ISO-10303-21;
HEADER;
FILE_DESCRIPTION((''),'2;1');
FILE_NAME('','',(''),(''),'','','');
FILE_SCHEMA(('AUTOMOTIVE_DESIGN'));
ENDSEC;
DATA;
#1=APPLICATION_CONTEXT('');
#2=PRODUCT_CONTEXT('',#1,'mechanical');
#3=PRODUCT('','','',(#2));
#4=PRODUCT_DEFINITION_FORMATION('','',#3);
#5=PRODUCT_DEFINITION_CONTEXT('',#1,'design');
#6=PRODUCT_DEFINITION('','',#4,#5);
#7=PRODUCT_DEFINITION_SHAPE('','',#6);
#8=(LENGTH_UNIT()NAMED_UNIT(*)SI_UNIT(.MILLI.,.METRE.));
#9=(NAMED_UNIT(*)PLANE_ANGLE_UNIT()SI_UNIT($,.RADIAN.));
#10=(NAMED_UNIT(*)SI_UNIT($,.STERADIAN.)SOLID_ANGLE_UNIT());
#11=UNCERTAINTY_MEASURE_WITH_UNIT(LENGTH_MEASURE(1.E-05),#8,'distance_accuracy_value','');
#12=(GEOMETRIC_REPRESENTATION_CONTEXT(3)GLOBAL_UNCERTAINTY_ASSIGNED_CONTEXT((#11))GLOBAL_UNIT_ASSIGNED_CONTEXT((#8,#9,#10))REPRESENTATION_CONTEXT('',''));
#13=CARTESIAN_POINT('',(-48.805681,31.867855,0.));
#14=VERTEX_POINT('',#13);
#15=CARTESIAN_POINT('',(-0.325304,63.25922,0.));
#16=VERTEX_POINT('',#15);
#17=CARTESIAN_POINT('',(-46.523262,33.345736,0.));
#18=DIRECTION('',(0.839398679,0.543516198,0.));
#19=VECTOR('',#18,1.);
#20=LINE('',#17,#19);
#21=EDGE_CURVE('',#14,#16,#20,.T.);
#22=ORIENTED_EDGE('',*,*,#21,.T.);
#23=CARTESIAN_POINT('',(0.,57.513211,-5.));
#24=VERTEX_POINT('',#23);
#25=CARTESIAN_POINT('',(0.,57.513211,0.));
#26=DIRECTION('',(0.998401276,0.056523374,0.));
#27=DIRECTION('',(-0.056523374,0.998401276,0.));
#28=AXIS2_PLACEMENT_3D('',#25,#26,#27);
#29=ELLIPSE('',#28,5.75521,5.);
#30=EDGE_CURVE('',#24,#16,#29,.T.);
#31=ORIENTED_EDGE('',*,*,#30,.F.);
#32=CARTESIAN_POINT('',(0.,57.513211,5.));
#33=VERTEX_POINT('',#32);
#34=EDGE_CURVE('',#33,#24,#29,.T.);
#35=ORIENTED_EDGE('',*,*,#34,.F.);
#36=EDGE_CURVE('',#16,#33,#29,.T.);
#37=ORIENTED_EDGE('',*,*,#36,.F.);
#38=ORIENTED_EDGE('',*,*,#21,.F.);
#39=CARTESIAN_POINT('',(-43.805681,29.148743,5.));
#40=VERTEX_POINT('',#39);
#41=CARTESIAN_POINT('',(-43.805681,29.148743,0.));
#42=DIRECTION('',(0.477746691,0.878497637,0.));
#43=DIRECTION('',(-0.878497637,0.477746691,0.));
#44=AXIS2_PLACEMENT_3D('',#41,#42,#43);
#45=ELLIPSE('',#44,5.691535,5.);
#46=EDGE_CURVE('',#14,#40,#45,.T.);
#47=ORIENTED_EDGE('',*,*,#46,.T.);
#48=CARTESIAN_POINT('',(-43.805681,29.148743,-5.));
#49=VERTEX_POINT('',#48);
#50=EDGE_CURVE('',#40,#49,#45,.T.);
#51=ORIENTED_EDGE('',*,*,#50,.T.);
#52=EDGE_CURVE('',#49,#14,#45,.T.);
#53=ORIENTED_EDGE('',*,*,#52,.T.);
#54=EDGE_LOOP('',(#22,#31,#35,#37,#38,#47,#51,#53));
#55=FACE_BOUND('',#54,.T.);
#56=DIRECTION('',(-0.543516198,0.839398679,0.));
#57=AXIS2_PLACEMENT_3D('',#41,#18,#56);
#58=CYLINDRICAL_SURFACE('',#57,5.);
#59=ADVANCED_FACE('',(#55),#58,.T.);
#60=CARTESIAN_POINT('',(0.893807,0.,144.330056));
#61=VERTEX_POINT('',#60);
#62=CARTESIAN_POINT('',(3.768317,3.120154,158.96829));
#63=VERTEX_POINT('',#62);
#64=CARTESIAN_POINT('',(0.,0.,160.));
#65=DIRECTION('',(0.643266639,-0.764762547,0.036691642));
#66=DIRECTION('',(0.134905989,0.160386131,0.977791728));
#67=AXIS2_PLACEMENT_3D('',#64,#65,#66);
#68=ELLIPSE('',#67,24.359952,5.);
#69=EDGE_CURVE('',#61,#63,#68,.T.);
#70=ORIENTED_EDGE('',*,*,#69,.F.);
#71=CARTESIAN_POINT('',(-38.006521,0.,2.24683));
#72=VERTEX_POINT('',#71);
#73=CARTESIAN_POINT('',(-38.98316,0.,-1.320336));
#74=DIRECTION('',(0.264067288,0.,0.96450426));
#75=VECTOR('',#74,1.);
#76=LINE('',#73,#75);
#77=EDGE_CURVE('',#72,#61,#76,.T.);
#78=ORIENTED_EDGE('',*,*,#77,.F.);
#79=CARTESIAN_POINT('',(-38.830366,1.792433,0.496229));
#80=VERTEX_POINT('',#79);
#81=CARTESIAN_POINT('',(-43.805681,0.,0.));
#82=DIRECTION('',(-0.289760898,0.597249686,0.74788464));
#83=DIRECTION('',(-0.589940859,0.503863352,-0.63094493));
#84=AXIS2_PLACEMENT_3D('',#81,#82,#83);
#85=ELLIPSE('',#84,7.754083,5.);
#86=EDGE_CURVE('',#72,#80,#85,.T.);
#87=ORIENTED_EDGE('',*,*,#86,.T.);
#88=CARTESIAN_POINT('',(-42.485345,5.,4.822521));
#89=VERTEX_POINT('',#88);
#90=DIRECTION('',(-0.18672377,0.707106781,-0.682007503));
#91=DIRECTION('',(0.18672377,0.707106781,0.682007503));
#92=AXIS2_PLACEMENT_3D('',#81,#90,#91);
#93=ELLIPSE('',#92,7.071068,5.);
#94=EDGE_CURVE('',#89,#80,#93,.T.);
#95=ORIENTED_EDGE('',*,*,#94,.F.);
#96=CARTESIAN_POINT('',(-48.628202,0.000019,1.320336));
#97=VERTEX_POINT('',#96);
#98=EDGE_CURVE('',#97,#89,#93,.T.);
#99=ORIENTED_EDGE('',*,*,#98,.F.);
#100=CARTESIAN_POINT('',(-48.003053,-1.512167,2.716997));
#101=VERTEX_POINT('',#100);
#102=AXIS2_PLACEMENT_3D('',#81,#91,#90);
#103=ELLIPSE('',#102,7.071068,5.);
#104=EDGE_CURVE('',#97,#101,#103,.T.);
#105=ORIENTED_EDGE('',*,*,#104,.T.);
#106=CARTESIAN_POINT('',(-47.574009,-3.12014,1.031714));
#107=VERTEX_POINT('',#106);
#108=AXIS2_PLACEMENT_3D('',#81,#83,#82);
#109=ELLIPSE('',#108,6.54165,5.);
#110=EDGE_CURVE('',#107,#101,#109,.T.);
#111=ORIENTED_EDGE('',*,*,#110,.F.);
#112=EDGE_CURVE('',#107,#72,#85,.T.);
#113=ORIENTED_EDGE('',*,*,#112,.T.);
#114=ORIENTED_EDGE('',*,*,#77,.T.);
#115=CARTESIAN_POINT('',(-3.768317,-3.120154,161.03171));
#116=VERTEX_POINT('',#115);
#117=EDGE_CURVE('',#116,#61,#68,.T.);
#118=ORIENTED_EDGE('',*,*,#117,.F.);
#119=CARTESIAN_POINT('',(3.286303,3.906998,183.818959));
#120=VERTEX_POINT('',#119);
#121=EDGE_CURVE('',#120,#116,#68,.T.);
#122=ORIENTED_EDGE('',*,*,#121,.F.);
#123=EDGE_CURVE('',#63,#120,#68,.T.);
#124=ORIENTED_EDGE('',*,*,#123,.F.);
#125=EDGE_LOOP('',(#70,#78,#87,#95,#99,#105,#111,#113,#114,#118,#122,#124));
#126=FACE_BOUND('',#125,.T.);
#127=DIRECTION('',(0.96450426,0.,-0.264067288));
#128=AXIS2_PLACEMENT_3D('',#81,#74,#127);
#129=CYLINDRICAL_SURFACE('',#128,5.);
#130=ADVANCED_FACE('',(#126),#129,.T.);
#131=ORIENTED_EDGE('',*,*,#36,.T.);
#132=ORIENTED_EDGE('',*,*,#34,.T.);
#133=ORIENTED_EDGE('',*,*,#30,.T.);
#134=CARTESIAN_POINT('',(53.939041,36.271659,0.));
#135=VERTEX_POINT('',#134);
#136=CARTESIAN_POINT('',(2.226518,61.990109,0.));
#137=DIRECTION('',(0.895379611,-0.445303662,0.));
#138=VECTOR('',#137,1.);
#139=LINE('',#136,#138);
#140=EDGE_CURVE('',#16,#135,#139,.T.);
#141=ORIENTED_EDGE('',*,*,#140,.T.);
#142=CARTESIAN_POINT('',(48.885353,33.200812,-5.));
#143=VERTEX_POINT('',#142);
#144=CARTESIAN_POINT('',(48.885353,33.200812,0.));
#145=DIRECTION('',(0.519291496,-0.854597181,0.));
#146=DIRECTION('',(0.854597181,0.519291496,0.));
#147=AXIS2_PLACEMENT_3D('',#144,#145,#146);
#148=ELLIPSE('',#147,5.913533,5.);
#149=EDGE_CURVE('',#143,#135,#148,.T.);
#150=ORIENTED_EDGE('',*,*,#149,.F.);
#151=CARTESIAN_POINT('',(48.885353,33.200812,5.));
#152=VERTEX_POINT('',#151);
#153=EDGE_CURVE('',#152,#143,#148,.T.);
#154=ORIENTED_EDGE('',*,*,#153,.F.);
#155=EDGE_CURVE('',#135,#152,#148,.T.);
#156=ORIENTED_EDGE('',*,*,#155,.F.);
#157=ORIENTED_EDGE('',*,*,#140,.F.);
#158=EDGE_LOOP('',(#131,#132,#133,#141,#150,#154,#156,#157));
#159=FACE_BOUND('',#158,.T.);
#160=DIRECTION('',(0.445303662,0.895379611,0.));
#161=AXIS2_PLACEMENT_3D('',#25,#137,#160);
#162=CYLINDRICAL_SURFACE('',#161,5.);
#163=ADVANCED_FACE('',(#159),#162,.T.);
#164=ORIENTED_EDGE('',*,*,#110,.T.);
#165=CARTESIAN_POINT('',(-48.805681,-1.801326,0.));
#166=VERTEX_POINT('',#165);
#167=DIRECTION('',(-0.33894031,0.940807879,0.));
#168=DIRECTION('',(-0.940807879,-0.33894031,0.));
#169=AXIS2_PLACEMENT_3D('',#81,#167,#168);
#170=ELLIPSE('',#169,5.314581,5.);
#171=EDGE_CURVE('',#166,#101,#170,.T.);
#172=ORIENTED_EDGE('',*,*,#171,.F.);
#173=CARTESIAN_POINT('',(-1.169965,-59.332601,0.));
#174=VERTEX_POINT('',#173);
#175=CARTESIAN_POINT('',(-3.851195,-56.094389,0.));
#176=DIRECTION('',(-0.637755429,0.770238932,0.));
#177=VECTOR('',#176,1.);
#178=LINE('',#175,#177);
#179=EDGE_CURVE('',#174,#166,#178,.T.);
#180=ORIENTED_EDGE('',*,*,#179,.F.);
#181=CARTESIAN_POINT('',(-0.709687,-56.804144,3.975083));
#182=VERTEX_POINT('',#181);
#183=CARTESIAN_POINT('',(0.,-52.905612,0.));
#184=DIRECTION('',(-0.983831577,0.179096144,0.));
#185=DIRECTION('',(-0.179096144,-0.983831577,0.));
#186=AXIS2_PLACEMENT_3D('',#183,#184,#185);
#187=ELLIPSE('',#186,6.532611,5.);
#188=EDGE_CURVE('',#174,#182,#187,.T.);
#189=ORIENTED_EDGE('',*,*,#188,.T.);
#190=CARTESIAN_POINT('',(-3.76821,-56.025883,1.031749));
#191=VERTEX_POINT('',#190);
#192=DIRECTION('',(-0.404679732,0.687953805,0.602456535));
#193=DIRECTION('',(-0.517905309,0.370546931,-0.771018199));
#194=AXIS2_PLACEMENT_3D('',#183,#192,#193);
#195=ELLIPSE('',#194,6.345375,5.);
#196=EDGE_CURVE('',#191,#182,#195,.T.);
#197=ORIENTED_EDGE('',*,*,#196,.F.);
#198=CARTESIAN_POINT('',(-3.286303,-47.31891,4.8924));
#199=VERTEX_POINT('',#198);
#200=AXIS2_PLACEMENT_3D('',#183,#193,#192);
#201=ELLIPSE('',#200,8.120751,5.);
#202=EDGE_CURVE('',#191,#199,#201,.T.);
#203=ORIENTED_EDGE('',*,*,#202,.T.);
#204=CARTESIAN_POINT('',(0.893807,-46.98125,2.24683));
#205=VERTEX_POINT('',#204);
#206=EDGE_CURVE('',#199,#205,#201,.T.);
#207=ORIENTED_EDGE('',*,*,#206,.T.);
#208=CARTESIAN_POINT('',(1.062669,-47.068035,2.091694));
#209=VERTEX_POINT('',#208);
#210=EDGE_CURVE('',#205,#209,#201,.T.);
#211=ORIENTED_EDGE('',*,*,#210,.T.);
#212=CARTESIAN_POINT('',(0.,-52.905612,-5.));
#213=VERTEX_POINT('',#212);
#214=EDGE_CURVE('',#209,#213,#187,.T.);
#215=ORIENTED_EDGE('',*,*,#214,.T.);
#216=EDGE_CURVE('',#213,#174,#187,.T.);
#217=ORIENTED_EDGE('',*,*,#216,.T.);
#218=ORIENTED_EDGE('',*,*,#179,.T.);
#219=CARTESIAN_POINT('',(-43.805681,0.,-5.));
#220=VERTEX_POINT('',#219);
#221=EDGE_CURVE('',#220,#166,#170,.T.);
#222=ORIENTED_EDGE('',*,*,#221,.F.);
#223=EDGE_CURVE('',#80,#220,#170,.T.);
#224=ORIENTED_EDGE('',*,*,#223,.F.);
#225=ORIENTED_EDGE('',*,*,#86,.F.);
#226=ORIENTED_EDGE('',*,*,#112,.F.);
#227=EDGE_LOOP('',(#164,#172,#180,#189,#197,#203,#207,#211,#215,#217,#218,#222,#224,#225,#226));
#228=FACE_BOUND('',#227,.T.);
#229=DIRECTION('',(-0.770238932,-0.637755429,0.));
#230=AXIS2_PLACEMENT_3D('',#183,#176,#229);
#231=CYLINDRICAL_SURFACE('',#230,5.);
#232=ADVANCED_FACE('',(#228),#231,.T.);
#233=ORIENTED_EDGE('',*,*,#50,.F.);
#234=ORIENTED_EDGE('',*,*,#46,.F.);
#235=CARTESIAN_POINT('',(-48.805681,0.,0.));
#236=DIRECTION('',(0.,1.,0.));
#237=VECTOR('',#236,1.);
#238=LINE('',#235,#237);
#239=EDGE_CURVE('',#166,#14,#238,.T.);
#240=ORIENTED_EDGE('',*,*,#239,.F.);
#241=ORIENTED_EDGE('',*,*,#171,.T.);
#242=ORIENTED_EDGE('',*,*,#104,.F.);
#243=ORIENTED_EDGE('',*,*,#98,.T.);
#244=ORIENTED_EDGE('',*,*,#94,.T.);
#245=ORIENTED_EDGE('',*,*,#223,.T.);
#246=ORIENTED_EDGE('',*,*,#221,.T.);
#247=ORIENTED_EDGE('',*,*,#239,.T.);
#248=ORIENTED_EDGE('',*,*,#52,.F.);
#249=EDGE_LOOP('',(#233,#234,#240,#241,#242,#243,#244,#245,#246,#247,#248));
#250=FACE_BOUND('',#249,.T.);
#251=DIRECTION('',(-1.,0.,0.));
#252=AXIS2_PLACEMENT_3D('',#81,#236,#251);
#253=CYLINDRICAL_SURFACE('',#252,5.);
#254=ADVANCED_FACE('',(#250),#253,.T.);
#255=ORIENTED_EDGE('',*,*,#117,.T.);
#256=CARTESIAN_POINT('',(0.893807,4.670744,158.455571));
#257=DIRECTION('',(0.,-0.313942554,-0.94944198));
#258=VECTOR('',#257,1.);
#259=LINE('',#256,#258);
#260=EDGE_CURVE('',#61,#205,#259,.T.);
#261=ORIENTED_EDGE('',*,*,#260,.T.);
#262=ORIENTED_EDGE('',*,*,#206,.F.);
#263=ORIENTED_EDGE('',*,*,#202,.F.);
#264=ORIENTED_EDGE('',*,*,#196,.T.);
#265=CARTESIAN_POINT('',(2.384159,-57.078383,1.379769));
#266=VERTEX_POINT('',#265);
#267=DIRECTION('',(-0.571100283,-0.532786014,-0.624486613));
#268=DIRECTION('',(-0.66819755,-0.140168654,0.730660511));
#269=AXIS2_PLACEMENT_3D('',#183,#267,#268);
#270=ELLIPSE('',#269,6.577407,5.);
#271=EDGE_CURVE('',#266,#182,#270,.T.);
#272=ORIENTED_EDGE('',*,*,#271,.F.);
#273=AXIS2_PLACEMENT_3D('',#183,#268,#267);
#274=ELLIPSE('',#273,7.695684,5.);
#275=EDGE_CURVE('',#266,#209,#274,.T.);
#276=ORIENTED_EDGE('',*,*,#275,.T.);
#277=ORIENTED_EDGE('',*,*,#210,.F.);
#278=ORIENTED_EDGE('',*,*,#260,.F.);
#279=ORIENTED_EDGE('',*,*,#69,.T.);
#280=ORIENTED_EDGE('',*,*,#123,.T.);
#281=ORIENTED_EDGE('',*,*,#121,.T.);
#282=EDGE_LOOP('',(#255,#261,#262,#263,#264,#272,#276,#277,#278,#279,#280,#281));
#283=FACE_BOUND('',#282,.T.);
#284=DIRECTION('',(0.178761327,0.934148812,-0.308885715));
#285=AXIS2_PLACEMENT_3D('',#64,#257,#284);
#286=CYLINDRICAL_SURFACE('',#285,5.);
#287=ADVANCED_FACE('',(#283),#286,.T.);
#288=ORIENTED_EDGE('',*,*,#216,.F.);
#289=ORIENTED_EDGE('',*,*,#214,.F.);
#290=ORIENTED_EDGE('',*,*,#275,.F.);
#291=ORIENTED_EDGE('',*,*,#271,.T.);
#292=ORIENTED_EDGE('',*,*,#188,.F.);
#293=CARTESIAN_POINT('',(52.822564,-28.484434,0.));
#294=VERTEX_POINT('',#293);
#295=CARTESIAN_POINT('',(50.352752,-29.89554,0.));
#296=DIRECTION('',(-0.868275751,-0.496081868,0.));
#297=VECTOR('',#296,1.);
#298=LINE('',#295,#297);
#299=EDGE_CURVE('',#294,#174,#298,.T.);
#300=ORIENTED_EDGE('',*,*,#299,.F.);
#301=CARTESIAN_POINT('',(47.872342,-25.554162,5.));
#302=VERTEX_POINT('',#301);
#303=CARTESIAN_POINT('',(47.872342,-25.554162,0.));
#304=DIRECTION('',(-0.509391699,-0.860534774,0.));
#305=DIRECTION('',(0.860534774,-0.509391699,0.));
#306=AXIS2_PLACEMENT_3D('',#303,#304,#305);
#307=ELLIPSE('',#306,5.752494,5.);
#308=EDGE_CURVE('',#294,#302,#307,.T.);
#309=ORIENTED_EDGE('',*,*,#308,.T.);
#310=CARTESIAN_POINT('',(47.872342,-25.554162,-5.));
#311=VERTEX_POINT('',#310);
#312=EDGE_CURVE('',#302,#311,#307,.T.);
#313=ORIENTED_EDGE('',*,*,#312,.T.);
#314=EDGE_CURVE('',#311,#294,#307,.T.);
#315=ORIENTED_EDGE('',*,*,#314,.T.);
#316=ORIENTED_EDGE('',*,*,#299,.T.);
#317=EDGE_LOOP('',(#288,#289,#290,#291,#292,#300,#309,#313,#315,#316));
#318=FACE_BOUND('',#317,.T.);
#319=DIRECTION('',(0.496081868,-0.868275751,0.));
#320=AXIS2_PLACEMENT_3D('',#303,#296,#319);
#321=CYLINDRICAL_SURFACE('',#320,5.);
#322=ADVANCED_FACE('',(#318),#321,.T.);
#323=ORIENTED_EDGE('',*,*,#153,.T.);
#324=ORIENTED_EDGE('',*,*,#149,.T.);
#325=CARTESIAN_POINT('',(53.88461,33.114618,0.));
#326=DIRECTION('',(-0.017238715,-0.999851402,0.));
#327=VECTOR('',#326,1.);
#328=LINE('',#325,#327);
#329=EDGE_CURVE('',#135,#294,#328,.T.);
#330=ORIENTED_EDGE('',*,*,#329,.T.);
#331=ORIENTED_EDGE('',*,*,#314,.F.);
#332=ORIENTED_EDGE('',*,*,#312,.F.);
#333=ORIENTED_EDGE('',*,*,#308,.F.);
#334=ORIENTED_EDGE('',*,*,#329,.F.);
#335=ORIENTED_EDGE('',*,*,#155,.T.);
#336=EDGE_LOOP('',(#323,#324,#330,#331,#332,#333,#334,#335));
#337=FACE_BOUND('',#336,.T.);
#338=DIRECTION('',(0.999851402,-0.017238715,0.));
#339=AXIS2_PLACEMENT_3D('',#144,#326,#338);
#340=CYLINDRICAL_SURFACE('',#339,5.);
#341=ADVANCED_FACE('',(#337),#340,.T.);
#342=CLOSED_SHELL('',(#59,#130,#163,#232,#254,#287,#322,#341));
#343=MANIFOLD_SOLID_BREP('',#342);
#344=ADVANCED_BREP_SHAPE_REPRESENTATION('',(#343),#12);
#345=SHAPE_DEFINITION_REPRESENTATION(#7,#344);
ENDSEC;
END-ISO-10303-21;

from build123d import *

# Parameters (mm, degrees)
F12_R = 5
F15_R = 5


with BuildPart() as f13:
    # F13: sweep along a path in F1
    with BuildLine(Plane.XY) as f13_path:
        Line((0, -52.9056116939), (-43.805681169, 0))
        Line((-43.805681169, 0), (-43.805681169, 29.1487425566))
        Line((-43.805681169, 29.1487425566), (0, 57.5132109225))
        Line((0, 57.5132109225), (48.8853529096, 33.2008115947))
        Line((48.8853529096, 33.2008115947), (47.8723421693, -25.5541615188))
        Line((47.8723421693, -25.5541615188), (0, -52.9056116939))
    # F12 (on line) → F13 (sweep)
    with BuildSketch(Plane(origin=(25.9885094103, -31.3872071081, 0), x_dir=(-0.7702389322, -0.6377554291, 0), z_dir=(-0.6377554291, 0.7702389322, 0))):
        with Locations((33.7408410874, 0)):
            Circle(F12_R)
    sweep(path=f13_path.line, transition=Transition.RIGHT)

    # F16: sweep along a path in F16_path
    with BuildLine(Plane(origin=(-43.805681169, 0, 0), x_dir=(0.6377554291, -0.7702389322, 0), z_dir=(0.7536633232, 0.6240308766, -0.2063420953))) as f16_path:
        Line((0, 0), (27.9373109908, -163.5189418914))
        Line((27.9373109908, -163.5189418914), (68.6872728486, 0))
    # F15 (on line) → F16 (sweep)
    with BuildSketch(Plane(origin=(-3.0546372863, 0, -11.1570452227), x_dir=(0.9645042599, 0, -0.2640672881), z_dir=(0.2640672881, 0, 0.9645042599))):
        with Locations((-42.2507660952, 0)):
            Circle(F15_R)
    sweep(path=f16_path.line, transition=Transition.RIGHT)


solid = f13.part
